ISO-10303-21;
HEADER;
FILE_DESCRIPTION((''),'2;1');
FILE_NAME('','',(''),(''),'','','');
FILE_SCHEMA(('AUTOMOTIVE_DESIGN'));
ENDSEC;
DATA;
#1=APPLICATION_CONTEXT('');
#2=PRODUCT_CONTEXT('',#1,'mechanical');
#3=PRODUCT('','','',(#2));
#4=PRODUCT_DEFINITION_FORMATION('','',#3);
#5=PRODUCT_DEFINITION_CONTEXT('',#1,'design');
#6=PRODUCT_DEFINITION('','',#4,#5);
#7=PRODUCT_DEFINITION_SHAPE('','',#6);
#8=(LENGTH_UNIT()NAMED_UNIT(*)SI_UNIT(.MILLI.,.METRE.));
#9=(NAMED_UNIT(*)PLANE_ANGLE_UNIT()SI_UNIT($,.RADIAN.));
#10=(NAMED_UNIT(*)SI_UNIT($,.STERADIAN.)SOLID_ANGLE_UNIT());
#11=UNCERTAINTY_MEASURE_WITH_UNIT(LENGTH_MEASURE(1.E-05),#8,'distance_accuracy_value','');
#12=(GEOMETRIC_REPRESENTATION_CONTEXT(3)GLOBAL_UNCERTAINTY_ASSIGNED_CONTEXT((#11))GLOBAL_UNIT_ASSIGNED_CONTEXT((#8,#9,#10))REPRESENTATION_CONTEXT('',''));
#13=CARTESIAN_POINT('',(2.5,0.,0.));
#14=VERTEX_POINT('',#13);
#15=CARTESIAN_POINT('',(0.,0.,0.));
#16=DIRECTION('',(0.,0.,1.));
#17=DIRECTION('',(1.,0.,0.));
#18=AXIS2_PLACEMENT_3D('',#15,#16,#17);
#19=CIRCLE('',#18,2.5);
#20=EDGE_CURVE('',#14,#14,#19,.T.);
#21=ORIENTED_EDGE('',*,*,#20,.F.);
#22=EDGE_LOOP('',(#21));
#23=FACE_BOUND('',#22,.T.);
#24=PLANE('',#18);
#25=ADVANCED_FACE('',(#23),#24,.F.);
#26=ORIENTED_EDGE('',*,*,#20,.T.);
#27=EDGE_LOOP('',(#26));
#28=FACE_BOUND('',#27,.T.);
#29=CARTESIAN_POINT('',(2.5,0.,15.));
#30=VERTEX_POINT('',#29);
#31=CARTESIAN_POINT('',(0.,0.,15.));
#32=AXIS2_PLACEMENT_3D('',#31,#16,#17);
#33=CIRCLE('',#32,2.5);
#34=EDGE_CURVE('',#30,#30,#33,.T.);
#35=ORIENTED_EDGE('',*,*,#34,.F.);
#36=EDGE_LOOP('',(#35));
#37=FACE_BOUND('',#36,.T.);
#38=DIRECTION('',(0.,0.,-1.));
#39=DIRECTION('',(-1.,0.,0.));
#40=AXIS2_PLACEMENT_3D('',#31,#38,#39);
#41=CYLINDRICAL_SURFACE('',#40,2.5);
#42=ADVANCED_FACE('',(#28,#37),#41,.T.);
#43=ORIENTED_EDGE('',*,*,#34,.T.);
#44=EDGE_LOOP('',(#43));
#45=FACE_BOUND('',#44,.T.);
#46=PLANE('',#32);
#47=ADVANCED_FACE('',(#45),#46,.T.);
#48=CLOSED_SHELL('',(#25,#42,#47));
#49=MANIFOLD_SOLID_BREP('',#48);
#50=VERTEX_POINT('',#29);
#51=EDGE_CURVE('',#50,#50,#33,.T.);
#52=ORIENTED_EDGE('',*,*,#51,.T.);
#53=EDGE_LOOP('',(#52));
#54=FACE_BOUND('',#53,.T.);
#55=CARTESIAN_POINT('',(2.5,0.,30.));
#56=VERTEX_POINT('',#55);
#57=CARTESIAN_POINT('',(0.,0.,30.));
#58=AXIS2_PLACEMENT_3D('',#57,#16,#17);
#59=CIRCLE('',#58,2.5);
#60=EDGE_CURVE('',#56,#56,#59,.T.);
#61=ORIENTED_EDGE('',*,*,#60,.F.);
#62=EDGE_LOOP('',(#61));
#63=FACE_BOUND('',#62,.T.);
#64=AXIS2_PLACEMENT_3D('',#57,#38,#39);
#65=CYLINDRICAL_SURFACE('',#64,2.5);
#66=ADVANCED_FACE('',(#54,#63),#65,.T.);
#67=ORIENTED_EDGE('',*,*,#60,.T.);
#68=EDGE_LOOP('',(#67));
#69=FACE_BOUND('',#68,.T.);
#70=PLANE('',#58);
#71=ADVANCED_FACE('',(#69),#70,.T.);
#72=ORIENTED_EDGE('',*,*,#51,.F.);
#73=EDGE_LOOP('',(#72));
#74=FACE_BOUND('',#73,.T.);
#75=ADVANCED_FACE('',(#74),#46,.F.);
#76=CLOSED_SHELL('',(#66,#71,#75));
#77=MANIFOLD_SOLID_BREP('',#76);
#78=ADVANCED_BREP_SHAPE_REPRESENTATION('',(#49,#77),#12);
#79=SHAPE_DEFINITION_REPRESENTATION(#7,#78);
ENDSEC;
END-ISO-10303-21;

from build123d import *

# Parameters (mm, degrees)
SKETCH1_R           = 2.5
BOSS_EXTRUDE1_DEPTH = 15
SKETCH2_R           = 2.5
BOSS_EXTRUDE2_DEPTH = 15


with BuildPart() as part:
    # Sketch1 → Boss-Extrude1 (new body)
    with BuildSketch(Plane.XY):
        Circle(SKETCH1_R)
    extrude(amount=BOSS_EXTRUDE1_DEPTH)


with BuildPart() as body_2:
    # Sketch2 → Boss-Extrude2 (new body)
    with BuildSketch(Plane.XY.offset(15)):
        Circle(SKETCH2_R)
    extrude(amount=BOSS_EXTRUDE2_DEPTH)


solid = Compound([part.part, body_2.part])
